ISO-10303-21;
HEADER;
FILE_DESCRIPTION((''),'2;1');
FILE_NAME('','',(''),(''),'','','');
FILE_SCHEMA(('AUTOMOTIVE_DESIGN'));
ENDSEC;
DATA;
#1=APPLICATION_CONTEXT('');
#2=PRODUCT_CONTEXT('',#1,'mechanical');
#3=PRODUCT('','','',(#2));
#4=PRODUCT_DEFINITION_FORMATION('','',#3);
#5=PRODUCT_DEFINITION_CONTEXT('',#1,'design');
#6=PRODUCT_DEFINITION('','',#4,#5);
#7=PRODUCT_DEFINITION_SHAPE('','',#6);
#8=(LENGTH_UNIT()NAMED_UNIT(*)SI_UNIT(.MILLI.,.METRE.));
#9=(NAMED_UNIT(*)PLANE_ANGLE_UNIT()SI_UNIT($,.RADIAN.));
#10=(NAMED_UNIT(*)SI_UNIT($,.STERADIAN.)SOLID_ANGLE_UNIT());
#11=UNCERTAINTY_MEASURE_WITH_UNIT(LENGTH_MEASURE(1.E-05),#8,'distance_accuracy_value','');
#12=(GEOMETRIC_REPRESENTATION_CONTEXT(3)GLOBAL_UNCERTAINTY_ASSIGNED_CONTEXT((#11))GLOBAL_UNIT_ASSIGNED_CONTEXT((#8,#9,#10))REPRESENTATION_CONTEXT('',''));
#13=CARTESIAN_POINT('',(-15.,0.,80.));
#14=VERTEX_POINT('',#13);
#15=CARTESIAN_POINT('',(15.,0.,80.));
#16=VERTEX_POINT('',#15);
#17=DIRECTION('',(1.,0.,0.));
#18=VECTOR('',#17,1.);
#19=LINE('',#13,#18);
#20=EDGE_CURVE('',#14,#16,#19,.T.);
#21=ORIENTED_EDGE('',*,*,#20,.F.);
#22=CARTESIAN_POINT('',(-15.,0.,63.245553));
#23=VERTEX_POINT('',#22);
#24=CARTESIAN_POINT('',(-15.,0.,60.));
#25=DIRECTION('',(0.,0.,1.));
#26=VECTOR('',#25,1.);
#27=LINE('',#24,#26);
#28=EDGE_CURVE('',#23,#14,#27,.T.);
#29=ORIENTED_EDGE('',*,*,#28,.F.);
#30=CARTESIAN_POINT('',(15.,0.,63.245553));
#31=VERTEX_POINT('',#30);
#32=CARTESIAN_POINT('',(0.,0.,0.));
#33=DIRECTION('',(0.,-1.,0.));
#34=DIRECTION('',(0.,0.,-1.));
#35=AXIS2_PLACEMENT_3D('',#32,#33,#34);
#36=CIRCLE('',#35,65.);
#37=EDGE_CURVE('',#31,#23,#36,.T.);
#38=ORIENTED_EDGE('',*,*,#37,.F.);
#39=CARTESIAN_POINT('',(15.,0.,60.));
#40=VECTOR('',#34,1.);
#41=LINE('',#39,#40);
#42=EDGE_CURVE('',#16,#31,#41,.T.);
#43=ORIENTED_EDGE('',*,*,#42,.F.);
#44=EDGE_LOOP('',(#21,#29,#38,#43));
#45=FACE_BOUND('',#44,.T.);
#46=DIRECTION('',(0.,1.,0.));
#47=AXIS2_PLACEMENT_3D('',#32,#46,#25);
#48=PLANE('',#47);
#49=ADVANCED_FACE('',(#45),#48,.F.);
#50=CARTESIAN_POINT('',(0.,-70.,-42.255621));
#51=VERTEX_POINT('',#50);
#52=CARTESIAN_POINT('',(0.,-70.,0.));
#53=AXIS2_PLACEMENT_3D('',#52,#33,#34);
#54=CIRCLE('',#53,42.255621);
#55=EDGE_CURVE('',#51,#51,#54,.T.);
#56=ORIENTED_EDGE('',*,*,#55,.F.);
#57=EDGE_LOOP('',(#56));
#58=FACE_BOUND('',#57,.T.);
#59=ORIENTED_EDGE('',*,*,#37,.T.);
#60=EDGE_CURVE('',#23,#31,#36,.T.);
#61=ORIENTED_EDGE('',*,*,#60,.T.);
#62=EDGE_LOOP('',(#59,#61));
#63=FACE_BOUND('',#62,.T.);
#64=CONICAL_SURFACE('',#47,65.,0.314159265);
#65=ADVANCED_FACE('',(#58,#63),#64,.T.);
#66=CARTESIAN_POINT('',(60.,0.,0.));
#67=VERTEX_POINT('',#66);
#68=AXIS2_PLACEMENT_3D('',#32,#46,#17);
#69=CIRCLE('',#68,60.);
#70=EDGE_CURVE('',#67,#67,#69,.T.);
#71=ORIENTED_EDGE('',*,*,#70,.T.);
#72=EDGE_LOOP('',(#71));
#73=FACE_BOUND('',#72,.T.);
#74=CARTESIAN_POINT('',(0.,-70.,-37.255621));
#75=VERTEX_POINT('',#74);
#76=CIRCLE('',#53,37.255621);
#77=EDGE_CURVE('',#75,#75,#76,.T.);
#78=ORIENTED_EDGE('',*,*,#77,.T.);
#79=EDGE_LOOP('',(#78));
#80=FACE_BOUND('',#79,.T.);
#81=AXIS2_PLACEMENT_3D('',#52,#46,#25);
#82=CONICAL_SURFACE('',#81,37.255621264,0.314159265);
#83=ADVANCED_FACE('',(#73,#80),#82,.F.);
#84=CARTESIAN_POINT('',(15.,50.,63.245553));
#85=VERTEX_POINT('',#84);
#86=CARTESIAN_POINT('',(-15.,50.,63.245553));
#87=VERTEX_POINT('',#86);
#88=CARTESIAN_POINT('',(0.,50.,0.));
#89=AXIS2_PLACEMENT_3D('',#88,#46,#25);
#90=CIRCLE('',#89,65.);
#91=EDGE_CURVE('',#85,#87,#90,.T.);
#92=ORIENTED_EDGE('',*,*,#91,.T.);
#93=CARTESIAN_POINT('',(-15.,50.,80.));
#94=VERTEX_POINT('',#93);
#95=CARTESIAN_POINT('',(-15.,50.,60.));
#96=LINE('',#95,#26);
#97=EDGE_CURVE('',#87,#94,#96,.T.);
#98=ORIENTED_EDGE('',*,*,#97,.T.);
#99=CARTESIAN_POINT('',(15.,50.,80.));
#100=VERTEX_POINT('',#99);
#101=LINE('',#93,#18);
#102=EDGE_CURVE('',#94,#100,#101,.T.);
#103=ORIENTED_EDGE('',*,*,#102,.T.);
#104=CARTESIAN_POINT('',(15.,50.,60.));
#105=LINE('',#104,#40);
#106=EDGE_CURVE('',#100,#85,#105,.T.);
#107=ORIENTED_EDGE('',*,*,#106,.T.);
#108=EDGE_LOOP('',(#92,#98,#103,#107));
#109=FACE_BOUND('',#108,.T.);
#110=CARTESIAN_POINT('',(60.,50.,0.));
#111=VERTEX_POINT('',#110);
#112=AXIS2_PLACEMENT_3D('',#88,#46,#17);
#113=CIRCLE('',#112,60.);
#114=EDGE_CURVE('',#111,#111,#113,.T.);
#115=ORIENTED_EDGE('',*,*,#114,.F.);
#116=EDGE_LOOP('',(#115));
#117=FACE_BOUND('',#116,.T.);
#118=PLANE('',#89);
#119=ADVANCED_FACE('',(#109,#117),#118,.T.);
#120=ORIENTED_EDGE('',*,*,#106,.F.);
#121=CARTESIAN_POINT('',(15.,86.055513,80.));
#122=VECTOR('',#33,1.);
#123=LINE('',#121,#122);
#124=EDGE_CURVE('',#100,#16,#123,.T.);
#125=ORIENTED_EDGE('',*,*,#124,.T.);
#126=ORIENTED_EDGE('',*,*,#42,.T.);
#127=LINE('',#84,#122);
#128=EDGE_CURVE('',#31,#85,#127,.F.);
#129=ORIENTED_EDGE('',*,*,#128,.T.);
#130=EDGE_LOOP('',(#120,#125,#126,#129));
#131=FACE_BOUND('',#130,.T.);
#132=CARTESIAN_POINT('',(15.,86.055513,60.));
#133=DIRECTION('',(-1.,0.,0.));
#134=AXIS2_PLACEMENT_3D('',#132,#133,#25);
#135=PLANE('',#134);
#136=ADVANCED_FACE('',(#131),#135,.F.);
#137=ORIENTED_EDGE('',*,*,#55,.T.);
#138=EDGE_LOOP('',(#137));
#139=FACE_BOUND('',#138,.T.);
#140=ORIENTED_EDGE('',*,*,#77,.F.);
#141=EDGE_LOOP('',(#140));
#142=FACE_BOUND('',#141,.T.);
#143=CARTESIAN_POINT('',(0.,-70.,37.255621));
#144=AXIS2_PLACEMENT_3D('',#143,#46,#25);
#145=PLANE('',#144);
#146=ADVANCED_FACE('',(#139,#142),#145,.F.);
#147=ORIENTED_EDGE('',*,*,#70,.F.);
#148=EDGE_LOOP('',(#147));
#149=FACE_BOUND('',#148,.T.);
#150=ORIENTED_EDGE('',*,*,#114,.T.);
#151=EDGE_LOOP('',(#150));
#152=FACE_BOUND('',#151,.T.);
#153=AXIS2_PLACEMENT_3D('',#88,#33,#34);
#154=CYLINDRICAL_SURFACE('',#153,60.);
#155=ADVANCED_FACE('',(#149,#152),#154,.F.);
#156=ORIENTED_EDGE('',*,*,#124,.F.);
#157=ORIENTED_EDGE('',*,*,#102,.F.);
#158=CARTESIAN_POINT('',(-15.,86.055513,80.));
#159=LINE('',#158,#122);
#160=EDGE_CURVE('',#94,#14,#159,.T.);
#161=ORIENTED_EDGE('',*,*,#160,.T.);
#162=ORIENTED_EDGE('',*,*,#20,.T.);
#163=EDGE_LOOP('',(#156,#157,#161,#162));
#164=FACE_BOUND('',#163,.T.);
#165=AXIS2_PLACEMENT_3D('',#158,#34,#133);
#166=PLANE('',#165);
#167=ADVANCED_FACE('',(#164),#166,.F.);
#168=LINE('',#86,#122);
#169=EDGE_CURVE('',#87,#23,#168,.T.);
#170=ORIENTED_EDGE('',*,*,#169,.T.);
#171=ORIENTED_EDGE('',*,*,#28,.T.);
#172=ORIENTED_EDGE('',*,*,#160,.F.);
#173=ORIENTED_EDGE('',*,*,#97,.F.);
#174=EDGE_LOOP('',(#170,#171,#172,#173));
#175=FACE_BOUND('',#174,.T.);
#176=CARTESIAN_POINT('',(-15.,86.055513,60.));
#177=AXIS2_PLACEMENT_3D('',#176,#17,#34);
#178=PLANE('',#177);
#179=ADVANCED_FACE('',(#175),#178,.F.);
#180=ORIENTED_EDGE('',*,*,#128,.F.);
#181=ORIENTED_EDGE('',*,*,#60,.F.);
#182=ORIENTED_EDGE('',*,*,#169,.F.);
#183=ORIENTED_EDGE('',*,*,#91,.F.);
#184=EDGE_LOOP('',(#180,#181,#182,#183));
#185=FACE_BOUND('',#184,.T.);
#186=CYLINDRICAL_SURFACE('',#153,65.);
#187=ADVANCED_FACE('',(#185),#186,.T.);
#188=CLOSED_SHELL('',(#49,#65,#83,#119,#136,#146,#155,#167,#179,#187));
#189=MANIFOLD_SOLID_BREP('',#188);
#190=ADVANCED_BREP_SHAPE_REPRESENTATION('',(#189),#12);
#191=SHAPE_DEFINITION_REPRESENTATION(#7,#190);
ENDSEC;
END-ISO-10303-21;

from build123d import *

# Parameters (mm, degrees)
SKETCH2_R           = 65
SKETCH2_R_2         = 60
EXTRUDE_THIN1_DEPTH = 50
SKETCH4_W           = 30
SKETCH4_H           = 20
BOSS_EXTRUDE1_DEPTH = 50


with BuildPart() as part:
    # Sketch2 → Extrude-Thin1 (new body)
    with BuildSketch(Plane(origin=(0, 0, 0), x_dir=(1, 0, 0), z_dir=(0, 1, 0))):
        Circle(SKETCH2_R)
        Circle(SKETCH2_R_2, mode=Mode.SUBTRACT)
    extrude(amount=EXTRUDE_THIN1_DEPTH)

    # Sketch3 → Revolve1 (revolve)
    with BuildSketch(Plane(origin=(0, 0, 0), x_dir=(0, 0, -1), z_dir=(1, 0, 0)), mode=Mode.PRIVATE) as revolve1_sk:
        Polygon((-65, 0), (-60, 0), (-37.255621264, -70), (-42.255621264, -70), align=None)
    revolve(revolve1_sk.sketch.rotate(Axis((0, 0, 0), (0, 1, 0)), 180), axis=Axis((0, 0, 0), (0, 1, 0)))

    # Sketch4 → Boss-Extrude1 (add)
    with BuildSketch(Plane(origin=(0, 0, 0), x_dir=(1, 0, 0), z_dir=(0, 1, 0))):
        with Locations((0, -70)):
            Rectangle(SKETCH4_W, SKETCH4_H)
    extrude(amount=BOSS_EXTRUDE1_DEPTH)


solid = part.part
